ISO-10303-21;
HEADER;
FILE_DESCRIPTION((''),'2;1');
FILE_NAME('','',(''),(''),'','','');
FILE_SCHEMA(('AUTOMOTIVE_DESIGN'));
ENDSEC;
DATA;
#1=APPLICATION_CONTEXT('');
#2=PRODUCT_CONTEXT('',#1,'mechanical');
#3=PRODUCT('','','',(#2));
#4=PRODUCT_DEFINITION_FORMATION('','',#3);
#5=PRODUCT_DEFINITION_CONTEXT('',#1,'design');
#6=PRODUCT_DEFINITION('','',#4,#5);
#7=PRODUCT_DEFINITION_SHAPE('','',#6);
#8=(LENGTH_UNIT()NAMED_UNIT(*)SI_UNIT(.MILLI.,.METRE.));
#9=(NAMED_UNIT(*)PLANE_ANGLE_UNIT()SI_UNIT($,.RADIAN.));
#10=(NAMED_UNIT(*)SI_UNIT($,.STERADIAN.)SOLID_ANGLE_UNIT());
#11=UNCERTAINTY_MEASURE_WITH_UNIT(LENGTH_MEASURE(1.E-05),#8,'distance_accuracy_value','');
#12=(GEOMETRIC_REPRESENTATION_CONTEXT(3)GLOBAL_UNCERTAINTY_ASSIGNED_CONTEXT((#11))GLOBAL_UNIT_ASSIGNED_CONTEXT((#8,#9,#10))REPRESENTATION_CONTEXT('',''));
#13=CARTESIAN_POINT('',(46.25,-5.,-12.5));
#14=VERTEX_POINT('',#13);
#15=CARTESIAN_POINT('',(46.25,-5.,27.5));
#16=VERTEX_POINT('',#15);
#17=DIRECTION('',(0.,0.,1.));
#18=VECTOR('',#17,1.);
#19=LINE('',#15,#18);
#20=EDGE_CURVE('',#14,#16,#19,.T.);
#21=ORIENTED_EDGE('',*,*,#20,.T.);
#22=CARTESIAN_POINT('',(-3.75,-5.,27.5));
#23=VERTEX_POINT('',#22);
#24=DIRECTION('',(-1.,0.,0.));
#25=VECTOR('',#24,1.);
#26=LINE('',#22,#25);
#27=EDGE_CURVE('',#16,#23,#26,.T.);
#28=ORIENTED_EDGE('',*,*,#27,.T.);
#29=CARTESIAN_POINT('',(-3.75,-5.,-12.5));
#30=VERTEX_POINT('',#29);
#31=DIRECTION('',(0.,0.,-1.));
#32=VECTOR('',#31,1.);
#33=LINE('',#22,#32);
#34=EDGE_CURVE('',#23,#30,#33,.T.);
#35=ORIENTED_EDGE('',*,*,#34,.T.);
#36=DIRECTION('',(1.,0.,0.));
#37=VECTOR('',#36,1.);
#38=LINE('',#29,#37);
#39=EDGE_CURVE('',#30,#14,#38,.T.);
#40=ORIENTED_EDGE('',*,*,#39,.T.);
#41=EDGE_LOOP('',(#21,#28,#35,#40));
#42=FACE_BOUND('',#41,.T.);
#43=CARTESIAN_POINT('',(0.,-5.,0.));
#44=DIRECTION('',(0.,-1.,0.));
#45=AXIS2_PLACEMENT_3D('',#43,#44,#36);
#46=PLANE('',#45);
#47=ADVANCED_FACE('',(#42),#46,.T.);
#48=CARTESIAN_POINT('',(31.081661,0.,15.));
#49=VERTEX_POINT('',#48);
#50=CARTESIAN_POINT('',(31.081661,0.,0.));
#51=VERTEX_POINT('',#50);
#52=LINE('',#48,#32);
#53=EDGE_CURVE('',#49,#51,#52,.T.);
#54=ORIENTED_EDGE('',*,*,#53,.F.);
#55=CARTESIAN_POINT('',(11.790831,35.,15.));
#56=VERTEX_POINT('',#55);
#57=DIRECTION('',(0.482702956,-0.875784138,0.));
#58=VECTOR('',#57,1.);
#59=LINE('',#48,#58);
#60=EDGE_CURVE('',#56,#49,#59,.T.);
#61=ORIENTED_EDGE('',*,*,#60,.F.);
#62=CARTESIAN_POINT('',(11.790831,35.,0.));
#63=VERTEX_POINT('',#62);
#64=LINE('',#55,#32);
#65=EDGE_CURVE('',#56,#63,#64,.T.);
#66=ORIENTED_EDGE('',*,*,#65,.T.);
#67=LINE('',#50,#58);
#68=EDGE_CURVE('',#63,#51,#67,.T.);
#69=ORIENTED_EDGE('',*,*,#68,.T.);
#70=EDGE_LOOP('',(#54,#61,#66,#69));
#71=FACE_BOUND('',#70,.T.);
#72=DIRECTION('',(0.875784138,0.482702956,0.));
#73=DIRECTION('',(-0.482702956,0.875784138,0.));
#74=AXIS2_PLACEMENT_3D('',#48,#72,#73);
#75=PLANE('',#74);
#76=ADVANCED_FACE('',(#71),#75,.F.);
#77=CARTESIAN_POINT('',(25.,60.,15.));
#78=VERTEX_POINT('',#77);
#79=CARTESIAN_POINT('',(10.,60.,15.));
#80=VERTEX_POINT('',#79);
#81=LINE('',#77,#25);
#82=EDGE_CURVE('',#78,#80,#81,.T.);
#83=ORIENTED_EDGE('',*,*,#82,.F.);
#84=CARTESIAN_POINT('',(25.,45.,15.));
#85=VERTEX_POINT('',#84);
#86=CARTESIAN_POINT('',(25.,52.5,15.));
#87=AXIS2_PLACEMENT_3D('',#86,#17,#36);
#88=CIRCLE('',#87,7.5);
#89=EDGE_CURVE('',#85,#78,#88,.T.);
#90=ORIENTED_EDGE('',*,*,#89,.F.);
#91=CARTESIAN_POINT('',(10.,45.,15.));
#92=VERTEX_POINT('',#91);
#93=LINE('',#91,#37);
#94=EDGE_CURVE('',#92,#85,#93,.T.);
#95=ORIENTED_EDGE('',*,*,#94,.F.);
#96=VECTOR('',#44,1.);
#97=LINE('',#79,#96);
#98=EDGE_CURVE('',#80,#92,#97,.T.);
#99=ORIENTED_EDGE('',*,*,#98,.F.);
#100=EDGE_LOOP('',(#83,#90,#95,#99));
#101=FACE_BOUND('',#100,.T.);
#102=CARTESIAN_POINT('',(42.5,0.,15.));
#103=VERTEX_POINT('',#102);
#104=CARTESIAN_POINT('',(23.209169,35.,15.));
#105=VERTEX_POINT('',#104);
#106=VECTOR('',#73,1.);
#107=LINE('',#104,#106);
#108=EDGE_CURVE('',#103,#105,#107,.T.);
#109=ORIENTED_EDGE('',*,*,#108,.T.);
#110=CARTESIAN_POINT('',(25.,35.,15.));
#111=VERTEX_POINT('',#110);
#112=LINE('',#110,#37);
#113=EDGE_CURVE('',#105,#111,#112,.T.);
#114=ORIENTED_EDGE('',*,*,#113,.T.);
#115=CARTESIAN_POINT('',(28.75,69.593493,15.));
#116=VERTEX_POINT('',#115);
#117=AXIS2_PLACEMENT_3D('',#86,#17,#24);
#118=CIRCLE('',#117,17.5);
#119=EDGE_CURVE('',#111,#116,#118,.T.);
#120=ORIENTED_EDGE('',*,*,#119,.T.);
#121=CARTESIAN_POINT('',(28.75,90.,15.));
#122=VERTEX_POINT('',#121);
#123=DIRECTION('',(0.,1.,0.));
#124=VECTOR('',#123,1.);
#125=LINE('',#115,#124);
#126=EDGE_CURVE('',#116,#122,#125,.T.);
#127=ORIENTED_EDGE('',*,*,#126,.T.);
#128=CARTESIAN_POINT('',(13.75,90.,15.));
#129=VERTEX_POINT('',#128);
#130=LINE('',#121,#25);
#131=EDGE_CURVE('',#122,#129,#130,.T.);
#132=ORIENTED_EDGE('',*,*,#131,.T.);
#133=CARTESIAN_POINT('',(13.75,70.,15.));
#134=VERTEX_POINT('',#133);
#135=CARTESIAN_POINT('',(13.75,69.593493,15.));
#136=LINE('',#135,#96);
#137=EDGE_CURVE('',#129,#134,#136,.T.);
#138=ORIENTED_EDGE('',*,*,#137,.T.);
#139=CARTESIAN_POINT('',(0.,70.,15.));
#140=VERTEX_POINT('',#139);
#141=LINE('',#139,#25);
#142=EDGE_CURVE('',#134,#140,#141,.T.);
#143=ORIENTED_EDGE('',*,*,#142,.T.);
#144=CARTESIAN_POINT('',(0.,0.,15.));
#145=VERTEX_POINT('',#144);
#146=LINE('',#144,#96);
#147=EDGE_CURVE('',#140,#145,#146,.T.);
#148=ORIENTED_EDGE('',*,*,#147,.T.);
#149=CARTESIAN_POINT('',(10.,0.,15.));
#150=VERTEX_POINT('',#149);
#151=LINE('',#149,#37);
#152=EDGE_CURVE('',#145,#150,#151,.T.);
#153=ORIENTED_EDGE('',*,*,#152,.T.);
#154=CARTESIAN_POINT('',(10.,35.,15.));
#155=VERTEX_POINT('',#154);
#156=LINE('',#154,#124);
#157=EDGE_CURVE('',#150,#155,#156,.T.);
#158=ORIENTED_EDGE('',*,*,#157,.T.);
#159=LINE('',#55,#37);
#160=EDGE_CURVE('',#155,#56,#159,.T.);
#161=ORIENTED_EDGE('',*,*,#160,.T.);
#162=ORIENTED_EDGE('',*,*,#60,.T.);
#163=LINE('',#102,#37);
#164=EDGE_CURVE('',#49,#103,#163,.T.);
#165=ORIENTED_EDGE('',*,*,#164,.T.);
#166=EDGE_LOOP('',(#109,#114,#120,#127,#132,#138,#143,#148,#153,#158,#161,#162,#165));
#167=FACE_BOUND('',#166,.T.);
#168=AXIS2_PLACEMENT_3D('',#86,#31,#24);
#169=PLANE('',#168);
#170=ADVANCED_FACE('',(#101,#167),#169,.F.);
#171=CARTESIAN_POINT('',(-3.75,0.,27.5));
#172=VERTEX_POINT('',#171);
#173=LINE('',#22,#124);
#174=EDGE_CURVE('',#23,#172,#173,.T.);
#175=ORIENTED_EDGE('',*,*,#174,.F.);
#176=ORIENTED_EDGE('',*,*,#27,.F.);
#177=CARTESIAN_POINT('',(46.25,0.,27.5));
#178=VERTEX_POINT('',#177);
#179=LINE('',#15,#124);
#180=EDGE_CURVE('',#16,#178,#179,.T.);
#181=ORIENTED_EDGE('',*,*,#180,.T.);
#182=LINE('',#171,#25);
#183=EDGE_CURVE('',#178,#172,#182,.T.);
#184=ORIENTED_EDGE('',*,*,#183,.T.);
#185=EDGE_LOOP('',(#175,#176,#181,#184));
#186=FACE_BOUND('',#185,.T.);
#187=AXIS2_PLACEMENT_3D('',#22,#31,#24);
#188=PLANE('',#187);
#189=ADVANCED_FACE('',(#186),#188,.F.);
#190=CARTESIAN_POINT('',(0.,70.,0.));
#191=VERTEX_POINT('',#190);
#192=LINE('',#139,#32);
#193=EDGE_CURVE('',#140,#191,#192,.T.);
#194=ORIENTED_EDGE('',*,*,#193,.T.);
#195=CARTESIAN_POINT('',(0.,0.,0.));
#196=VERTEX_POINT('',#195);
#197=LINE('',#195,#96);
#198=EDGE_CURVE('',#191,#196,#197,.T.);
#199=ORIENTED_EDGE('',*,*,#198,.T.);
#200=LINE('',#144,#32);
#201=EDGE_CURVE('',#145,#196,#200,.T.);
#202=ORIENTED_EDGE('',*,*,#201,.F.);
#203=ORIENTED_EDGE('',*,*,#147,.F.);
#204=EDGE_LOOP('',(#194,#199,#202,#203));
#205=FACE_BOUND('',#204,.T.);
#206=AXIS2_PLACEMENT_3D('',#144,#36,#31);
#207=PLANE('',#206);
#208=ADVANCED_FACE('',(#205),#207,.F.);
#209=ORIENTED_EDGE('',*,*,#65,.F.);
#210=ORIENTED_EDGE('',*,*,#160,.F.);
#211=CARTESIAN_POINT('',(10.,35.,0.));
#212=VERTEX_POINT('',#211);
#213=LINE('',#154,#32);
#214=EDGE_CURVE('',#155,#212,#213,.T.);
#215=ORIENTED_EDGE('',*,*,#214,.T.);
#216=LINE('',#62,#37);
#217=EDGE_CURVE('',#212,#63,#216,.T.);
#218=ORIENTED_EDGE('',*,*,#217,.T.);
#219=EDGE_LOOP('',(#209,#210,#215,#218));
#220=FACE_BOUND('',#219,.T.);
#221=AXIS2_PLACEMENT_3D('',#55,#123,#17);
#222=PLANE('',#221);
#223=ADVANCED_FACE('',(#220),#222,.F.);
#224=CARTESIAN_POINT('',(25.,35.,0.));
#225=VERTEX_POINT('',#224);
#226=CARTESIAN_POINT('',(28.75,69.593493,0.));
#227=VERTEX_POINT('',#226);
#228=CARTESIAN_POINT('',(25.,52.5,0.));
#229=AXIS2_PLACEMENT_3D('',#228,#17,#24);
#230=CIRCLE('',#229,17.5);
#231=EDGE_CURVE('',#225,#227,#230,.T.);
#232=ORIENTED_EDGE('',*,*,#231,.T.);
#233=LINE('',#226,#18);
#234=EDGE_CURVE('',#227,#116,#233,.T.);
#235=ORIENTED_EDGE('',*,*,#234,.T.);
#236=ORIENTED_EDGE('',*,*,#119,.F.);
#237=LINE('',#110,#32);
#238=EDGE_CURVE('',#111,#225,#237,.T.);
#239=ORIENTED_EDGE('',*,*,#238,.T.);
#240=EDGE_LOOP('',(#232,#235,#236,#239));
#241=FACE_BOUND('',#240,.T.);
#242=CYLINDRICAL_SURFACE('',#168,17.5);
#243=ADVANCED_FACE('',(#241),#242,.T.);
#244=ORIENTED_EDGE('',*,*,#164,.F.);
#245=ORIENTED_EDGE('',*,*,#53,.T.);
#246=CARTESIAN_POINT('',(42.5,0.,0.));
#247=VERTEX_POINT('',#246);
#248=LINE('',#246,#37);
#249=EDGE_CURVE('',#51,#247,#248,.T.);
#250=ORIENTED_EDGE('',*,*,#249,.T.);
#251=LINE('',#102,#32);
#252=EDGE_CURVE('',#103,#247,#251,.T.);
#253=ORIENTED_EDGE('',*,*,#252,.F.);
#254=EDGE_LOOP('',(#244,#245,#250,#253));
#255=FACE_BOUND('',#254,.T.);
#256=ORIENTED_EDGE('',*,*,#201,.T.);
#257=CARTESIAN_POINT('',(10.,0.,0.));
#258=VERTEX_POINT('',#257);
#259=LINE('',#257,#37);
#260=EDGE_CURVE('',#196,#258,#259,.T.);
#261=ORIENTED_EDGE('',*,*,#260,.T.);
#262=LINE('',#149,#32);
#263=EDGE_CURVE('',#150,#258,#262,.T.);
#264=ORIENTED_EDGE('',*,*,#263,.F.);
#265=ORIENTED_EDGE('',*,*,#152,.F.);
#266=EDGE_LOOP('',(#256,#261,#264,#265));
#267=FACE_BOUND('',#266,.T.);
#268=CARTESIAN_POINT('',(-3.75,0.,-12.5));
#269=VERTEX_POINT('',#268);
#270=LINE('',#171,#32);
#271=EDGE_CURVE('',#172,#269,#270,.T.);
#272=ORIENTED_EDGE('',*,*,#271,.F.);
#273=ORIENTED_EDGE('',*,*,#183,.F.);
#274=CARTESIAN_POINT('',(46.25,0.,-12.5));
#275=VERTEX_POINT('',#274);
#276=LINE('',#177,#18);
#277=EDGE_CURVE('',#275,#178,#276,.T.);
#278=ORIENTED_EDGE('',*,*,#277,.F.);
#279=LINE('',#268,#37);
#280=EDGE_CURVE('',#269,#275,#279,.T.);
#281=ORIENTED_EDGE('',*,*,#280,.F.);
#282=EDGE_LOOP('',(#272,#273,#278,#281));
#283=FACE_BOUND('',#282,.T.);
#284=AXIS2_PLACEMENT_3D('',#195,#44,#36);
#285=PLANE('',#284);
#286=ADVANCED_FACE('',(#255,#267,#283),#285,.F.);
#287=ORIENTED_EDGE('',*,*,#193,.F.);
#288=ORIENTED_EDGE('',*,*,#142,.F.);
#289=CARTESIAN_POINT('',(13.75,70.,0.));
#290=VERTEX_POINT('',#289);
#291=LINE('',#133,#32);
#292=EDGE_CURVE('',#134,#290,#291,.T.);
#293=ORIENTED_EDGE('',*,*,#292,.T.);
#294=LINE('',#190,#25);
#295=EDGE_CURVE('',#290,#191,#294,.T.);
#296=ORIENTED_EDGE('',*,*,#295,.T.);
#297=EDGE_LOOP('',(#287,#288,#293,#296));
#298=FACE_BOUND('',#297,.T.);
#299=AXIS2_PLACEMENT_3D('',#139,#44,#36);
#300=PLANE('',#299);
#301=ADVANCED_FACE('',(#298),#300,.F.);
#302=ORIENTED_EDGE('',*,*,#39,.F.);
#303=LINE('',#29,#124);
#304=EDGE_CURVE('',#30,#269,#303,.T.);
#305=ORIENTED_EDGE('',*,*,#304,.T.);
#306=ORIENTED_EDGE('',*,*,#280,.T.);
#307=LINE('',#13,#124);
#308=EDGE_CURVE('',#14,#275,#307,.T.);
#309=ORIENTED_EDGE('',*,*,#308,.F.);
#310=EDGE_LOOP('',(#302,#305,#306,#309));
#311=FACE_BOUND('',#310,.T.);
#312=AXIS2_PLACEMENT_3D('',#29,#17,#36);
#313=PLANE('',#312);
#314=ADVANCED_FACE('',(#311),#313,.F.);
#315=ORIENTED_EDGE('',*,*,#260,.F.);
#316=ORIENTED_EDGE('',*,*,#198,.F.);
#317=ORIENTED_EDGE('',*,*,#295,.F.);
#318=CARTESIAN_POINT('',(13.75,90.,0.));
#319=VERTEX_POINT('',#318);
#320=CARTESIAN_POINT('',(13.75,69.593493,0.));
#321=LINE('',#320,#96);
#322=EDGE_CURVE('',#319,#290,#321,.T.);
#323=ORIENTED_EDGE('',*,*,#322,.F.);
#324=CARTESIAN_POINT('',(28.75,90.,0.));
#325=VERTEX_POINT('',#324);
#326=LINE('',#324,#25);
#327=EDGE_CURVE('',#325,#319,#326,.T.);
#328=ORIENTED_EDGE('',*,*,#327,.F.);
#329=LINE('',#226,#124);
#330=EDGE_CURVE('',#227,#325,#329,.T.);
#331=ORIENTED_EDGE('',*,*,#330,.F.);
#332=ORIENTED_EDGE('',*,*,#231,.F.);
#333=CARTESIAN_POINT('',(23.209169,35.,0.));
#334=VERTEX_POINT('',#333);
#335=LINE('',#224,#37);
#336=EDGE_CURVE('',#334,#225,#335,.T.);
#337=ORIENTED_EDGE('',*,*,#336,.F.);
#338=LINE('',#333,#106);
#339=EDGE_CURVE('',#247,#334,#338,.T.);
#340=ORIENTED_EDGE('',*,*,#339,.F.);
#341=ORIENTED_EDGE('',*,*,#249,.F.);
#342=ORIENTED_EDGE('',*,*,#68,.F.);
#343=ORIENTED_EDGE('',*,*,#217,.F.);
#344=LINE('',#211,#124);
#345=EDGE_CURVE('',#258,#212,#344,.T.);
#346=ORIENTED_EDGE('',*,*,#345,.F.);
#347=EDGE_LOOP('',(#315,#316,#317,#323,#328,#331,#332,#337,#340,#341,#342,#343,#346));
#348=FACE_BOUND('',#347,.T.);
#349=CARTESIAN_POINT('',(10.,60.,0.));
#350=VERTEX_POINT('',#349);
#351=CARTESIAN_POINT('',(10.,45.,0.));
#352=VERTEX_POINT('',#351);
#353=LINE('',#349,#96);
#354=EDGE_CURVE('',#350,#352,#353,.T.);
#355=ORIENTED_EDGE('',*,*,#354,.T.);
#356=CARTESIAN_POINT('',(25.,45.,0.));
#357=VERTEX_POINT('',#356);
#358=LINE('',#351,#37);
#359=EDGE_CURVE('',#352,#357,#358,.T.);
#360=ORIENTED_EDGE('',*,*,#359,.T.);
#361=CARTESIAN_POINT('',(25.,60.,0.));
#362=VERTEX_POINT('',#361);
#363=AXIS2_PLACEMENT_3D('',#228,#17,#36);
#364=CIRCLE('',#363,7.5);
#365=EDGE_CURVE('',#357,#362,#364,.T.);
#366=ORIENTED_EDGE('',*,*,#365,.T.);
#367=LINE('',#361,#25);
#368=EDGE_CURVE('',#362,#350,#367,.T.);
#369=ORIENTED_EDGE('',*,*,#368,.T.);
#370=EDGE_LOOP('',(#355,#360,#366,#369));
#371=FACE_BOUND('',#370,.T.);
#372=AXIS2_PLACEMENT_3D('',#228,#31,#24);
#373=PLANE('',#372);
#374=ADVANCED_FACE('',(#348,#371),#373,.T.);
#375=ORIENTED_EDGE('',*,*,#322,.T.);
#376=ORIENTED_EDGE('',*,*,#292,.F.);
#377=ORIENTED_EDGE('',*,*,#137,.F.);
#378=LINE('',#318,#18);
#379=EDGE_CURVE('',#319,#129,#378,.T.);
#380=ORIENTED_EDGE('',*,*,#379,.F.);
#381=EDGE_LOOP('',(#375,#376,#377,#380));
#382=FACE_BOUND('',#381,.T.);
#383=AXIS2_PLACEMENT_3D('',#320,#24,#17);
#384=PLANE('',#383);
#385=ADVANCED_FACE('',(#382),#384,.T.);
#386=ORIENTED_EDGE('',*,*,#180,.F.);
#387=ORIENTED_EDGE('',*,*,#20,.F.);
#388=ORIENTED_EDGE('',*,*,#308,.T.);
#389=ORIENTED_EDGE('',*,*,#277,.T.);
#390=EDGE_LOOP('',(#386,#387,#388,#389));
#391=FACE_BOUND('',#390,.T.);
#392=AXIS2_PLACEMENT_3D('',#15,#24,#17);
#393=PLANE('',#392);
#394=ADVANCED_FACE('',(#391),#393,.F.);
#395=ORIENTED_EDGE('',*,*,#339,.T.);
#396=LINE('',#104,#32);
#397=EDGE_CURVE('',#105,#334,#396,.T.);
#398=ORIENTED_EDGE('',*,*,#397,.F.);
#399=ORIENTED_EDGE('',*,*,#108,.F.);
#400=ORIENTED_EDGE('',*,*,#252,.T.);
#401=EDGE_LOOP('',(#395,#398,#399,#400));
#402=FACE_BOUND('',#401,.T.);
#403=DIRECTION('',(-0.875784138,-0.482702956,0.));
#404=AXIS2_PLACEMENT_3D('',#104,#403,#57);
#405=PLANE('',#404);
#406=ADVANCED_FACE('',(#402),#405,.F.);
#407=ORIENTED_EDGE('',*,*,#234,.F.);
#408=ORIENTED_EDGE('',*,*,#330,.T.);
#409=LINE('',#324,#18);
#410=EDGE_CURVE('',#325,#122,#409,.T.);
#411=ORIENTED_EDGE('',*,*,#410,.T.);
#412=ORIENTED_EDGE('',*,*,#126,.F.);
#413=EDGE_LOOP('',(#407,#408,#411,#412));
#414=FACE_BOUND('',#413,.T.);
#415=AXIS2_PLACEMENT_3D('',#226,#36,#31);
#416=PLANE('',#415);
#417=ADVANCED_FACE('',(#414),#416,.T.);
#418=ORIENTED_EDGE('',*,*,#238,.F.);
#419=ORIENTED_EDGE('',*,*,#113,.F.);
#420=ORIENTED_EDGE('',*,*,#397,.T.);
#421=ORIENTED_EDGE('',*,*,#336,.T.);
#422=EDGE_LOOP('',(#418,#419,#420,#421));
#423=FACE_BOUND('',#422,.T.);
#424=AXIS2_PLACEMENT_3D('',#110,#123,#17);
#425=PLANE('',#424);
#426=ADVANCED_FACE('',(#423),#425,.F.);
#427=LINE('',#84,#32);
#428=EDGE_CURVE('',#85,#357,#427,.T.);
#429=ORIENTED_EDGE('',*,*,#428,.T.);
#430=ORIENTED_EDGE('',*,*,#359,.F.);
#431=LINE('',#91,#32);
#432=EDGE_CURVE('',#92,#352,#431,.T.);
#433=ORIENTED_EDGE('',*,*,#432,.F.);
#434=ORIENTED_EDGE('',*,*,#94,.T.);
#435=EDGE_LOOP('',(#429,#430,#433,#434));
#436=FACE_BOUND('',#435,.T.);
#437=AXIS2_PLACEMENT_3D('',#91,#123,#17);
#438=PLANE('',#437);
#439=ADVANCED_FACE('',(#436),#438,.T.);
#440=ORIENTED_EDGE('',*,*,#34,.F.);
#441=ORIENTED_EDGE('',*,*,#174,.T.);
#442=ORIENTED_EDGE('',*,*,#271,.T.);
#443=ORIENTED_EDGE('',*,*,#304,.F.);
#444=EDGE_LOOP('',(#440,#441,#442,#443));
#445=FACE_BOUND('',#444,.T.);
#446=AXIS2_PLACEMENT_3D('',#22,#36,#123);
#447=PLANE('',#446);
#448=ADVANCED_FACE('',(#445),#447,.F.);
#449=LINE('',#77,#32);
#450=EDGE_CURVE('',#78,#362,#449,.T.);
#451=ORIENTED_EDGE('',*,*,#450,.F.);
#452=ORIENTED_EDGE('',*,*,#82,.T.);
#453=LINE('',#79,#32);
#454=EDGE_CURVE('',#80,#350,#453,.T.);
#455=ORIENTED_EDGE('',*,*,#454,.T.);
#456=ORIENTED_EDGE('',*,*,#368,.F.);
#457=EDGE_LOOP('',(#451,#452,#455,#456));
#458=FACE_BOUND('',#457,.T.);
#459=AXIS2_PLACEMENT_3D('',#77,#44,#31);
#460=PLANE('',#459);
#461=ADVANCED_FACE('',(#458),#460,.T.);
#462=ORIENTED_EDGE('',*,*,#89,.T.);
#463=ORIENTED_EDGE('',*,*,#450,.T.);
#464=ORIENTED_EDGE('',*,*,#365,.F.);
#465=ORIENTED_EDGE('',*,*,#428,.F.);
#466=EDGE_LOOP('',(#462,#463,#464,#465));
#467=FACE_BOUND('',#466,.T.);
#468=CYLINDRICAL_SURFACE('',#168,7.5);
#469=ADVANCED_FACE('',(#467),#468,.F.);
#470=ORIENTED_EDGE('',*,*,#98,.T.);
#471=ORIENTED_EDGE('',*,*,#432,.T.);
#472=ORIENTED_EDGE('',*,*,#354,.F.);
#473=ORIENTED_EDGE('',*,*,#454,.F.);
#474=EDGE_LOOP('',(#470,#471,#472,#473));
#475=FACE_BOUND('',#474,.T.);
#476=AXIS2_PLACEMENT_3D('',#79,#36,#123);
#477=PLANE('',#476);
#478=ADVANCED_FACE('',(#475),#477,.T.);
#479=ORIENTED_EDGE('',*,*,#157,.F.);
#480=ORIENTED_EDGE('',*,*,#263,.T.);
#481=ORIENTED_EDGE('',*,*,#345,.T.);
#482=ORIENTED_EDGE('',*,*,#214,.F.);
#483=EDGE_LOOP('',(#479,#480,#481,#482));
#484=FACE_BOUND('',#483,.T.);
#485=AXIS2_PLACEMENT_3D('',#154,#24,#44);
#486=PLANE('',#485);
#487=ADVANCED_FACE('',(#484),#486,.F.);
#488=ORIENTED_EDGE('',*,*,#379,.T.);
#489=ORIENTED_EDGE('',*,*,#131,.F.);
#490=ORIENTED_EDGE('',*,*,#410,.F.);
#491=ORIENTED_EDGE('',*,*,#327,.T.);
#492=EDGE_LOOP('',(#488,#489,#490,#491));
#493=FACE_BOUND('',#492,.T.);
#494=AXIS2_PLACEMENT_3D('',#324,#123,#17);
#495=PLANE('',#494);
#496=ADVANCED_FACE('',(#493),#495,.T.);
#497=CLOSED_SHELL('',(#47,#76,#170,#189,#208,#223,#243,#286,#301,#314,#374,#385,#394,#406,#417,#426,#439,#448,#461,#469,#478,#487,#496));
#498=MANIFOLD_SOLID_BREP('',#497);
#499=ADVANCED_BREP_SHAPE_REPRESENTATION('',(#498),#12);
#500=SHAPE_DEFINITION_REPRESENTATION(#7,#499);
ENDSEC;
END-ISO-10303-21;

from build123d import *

# Parameters (mm, degrees)
AUFSATZ_LINEAR_AUSTRAGEN1_DEPTH = 15
SKIZZE2_W                       = 50
SKIZZE2_H                       = 40
AUFSATZ_LINEAR_AUSTRAGEN2_DEPTH = 5
SKIZZE6_W                       = 15
SKIZZE6_H                       = 20.406507086
AUFSATZ_LINEAR_AUSTRAGEN3_DEPTH = 15


with BuildPart() as part:
    # Skizze1 → Aufsatz-Linear austragen1 (new body)
    with BuildSketch(Plane.XY):
        with BuildLine():
            Line((0, 0), (0, 70))
            Line((0, 70), (25, 70))
            ThreePointArc((25, 70), (42.5, 52.5), (25, 35))
            Line((25, 35), (23.209169398, 35))
            Line((23.209169398, 35), (42.5, 0))
            Line((42.5, 0), (31.081661205, 0))
            Line((31.081661205, 0), (11.790830602, 35))
            Line((11.790830602, 35), (10, 35))
            Line((10, 35), (10, 0))
            Line((10, 0), (0, 0))
        make_face()
        with BuildLine():
            Line((10, 60), (10, 45))
            Line((10, 45), (25, 45))
            ThreePointArc((25, 45), (32.5, 52.5), (25, 60))
            Line((25, 60), (10, 60))
        make_face(mode=Mode.SUBTRACT)
    extrude(amount=AUFSATZ_LINEAR_AUSTRAGEN1_DEPTH)

    # Skizze2 → Aufsatz-Linear austragen2 (add)
    with BuildSketch(Plane.XZ):
        with Locations((21.25, 7.5)):
            Rectangle(SKIZZE2_W, SKIZZE2_H)
    extrude(amount=AUFSATZ_LINEAR_AUSTRAGEN2_DEPTH)

    # Skizze6 → Aufsatz-Linear austragen3 (add)
    with BuildSketch(Plane.XY.offset(15)):
        with Locations((21.25, 79.796746457)):
            Rectangle(SKIZZE6_W, SKIZZE6_H)
    extrude(amount=-AUFSATZ_LINEAR_AUSTRAGEN3_DEPTH)


solid = part.part
